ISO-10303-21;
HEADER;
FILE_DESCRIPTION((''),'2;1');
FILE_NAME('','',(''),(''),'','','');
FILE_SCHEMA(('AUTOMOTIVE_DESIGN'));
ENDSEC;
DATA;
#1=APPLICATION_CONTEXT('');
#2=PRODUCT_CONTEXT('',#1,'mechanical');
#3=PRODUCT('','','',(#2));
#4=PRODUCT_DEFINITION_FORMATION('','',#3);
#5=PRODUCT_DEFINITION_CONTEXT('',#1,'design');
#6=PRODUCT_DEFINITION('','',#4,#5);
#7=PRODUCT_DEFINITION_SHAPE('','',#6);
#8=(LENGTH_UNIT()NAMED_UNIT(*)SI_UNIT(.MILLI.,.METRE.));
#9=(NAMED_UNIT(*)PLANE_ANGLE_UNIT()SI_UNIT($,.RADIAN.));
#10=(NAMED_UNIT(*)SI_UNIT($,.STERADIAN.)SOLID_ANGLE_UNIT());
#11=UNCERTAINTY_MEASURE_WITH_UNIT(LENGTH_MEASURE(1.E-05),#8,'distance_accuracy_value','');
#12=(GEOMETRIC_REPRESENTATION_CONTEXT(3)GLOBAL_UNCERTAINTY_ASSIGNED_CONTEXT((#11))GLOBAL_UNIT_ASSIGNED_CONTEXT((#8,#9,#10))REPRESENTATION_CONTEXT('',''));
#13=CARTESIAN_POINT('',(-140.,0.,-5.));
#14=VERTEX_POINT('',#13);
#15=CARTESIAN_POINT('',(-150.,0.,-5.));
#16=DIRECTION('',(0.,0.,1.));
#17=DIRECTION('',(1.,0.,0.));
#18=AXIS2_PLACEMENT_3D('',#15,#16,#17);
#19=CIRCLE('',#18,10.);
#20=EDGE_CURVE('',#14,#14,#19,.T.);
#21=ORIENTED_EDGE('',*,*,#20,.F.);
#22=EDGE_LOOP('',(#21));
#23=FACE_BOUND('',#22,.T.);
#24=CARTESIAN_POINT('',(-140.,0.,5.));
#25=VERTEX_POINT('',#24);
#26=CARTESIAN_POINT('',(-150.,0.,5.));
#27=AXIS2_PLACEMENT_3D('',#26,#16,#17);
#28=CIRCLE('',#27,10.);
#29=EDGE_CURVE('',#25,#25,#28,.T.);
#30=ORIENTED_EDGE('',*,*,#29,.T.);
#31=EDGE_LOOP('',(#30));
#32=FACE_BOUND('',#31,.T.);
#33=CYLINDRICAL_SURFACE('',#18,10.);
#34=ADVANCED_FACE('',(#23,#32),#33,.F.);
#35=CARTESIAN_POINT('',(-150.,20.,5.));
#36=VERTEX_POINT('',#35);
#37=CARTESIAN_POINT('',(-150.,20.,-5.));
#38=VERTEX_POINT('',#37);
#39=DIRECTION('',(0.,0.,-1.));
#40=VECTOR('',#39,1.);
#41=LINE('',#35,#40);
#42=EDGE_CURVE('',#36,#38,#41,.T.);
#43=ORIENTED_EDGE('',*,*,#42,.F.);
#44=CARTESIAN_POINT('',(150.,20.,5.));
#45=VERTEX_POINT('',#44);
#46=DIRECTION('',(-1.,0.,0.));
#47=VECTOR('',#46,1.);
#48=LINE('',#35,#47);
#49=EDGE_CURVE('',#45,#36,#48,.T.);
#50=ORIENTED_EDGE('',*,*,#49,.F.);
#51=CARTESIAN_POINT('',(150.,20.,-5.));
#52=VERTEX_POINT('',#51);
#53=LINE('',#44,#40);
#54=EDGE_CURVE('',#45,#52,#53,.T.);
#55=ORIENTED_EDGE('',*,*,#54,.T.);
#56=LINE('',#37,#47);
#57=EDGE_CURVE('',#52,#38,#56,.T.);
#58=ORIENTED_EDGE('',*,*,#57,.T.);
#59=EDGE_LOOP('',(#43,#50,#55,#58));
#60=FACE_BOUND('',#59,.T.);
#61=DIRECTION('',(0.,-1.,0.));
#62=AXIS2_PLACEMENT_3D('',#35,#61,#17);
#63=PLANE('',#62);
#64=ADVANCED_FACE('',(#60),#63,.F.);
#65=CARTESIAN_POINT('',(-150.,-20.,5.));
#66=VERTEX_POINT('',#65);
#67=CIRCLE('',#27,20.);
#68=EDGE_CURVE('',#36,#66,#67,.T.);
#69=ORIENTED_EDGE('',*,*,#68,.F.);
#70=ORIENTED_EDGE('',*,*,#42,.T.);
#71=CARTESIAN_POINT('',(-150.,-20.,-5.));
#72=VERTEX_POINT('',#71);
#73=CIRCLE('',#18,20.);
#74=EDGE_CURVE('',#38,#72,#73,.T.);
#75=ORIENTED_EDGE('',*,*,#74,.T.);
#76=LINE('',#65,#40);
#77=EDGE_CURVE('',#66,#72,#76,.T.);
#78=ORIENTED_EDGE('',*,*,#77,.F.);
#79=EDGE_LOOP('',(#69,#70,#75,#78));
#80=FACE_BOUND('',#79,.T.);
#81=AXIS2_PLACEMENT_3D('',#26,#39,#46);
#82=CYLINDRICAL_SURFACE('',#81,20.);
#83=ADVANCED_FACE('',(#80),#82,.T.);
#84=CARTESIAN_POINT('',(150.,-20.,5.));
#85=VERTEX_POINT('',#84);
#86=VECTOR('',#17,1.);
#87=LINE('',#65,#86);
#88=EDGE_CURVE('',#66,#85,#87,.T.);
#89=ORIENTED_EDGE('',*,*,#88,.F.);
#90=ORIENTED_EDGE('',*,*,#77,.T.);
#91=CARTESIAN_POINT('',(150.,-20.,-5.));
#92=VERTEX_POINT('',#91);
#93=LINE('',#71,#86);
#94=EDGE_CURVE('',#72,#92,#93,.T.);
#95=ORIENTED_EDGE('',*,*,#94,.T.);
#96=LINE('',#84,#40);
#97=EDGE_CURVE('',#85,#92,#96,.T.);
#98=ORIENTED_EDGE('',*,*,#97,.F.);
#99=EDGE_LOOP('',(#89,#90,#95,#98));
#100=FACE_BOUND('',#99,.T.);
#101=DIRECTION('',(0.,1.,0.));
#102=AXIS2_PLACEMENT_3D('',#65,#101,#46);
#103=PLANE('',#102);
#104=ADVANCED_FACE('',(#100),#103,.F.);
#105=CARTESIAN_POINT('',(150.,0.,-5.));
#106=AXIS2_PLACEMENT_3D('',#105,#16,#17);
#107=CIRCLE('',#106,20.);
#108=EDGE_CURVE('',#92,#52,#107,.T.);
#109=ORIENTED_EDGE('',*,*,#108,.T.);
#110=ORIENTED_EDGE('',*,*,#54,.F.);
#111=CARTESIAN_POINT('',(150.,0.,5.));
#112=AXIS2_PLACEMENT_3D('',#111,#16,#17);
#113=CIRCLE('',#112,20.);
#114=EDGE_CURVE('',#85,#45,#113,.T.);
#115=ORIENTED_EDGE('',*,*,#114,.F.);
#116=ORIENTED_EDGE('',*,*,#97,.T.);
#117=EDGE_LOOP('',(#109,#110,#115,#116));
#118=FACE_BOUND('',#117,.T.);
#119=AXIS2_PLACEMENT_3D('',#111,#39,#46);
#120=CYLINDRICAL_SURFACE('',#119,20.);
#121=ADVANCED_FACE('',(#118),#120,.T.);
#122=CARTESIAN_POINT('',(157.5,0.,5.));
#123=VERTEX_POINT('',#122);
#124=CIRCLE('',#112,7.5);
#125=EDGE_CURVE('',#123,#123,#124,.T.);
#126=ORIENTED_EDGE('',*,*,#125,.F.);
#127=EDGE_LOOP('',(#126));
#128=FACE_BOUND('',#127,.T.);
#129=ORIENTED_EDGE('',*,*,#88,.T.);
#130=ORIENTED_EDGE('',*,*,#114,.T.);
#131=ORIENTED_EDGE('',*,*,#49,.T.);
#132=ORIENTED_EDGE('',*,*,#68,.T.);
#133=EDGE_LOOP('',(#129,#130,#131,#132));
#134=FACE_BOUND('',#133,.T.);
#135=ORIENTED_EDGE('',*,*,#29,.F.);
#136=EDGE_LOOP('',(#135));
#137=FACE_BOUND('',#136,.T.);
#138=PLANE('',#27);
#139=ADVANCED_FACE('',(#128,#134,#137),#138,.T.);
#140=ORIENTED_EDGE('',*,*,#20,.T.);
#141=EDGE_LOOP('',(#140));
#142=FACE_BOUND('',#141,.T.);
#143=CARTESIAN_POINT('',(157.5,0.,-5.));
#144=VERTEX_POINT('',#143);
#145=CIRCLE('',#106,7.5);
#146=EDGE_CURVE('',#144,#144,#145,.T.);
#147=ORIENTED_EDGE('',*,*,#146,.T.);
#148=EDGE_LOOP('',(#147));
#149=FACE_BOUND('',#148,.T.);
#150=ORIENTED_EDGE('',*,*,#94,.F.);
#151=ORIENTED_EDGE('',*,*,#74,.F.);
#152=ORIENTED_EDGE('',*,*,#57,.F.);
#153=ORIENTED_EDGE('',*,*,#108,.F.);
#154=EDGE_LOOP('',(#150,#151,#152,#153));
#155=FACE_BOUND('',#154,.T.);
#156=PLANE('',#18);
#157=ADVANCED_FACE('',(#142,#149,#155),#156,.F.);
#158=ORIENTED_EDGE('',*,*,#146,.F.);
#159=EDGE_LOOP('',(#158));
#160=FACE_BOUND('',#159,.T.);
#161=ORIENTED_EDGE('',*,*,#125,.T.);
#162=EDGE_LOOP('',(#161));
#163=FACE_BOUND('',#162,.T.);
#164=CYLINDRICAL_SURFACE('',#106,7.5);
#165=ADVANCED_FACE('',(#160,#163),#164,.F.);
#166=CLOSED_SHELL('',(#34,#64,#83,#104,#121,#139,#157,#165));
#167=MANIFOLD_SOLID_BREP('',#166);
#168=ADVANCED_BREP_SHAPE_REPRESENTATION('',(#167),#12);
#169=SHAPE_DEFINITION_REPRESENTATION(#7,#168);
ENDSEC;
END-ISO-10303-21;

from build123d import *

# Parameters (mm, degrees)
BOSS_EXTRUDE1_DEPTH     = 5
SKETCH2_R               = 10
SKETCH2_R_2             = 7.5
CUT_EXTRUDE1_DEPTH      = 1
CUT_EXTRUDE1_DEPTH_BACK = 11


with BuildPart() as part:
    # Sketch1 → Boss-Extrude1 (new body, symmetric)
    with BuildSketch(Plane.XY):
        with BuildLine():
            Line((-150, 20), (150, 20))
            ThreePointArc((150, 20), (170, 0), (150, -20))
            Line((150, -20), (-150, -20))
            ThreePointArc((-150, -20), (-170, 0), (-150, 20))
        make_face()
    extrude(amount=BOSS_EXTRUDE1_DEPTH, both=True)

    # Sketch2 → Cut-Extrude1 (cut, two sides)
    with BuildSketch(Plane.XY.offset(5)) as cut_extrude1_sk:
        with Locations((-150, 0)):
            Circle(SKETCH2_R)
        with Locations((150, 0)):
            Circle(SKETCH2_R_2)
    extrude(amount=CUT_EXTRUDE1_DEPTH, mode=Mode.SUBTRACT)
    extrude(cut_extrude1_sk.sketch, amount=-CUT_EXTRUDE1_DEPTH_BACK, mode=Mode.SUBTRACT)


solid = part.part
